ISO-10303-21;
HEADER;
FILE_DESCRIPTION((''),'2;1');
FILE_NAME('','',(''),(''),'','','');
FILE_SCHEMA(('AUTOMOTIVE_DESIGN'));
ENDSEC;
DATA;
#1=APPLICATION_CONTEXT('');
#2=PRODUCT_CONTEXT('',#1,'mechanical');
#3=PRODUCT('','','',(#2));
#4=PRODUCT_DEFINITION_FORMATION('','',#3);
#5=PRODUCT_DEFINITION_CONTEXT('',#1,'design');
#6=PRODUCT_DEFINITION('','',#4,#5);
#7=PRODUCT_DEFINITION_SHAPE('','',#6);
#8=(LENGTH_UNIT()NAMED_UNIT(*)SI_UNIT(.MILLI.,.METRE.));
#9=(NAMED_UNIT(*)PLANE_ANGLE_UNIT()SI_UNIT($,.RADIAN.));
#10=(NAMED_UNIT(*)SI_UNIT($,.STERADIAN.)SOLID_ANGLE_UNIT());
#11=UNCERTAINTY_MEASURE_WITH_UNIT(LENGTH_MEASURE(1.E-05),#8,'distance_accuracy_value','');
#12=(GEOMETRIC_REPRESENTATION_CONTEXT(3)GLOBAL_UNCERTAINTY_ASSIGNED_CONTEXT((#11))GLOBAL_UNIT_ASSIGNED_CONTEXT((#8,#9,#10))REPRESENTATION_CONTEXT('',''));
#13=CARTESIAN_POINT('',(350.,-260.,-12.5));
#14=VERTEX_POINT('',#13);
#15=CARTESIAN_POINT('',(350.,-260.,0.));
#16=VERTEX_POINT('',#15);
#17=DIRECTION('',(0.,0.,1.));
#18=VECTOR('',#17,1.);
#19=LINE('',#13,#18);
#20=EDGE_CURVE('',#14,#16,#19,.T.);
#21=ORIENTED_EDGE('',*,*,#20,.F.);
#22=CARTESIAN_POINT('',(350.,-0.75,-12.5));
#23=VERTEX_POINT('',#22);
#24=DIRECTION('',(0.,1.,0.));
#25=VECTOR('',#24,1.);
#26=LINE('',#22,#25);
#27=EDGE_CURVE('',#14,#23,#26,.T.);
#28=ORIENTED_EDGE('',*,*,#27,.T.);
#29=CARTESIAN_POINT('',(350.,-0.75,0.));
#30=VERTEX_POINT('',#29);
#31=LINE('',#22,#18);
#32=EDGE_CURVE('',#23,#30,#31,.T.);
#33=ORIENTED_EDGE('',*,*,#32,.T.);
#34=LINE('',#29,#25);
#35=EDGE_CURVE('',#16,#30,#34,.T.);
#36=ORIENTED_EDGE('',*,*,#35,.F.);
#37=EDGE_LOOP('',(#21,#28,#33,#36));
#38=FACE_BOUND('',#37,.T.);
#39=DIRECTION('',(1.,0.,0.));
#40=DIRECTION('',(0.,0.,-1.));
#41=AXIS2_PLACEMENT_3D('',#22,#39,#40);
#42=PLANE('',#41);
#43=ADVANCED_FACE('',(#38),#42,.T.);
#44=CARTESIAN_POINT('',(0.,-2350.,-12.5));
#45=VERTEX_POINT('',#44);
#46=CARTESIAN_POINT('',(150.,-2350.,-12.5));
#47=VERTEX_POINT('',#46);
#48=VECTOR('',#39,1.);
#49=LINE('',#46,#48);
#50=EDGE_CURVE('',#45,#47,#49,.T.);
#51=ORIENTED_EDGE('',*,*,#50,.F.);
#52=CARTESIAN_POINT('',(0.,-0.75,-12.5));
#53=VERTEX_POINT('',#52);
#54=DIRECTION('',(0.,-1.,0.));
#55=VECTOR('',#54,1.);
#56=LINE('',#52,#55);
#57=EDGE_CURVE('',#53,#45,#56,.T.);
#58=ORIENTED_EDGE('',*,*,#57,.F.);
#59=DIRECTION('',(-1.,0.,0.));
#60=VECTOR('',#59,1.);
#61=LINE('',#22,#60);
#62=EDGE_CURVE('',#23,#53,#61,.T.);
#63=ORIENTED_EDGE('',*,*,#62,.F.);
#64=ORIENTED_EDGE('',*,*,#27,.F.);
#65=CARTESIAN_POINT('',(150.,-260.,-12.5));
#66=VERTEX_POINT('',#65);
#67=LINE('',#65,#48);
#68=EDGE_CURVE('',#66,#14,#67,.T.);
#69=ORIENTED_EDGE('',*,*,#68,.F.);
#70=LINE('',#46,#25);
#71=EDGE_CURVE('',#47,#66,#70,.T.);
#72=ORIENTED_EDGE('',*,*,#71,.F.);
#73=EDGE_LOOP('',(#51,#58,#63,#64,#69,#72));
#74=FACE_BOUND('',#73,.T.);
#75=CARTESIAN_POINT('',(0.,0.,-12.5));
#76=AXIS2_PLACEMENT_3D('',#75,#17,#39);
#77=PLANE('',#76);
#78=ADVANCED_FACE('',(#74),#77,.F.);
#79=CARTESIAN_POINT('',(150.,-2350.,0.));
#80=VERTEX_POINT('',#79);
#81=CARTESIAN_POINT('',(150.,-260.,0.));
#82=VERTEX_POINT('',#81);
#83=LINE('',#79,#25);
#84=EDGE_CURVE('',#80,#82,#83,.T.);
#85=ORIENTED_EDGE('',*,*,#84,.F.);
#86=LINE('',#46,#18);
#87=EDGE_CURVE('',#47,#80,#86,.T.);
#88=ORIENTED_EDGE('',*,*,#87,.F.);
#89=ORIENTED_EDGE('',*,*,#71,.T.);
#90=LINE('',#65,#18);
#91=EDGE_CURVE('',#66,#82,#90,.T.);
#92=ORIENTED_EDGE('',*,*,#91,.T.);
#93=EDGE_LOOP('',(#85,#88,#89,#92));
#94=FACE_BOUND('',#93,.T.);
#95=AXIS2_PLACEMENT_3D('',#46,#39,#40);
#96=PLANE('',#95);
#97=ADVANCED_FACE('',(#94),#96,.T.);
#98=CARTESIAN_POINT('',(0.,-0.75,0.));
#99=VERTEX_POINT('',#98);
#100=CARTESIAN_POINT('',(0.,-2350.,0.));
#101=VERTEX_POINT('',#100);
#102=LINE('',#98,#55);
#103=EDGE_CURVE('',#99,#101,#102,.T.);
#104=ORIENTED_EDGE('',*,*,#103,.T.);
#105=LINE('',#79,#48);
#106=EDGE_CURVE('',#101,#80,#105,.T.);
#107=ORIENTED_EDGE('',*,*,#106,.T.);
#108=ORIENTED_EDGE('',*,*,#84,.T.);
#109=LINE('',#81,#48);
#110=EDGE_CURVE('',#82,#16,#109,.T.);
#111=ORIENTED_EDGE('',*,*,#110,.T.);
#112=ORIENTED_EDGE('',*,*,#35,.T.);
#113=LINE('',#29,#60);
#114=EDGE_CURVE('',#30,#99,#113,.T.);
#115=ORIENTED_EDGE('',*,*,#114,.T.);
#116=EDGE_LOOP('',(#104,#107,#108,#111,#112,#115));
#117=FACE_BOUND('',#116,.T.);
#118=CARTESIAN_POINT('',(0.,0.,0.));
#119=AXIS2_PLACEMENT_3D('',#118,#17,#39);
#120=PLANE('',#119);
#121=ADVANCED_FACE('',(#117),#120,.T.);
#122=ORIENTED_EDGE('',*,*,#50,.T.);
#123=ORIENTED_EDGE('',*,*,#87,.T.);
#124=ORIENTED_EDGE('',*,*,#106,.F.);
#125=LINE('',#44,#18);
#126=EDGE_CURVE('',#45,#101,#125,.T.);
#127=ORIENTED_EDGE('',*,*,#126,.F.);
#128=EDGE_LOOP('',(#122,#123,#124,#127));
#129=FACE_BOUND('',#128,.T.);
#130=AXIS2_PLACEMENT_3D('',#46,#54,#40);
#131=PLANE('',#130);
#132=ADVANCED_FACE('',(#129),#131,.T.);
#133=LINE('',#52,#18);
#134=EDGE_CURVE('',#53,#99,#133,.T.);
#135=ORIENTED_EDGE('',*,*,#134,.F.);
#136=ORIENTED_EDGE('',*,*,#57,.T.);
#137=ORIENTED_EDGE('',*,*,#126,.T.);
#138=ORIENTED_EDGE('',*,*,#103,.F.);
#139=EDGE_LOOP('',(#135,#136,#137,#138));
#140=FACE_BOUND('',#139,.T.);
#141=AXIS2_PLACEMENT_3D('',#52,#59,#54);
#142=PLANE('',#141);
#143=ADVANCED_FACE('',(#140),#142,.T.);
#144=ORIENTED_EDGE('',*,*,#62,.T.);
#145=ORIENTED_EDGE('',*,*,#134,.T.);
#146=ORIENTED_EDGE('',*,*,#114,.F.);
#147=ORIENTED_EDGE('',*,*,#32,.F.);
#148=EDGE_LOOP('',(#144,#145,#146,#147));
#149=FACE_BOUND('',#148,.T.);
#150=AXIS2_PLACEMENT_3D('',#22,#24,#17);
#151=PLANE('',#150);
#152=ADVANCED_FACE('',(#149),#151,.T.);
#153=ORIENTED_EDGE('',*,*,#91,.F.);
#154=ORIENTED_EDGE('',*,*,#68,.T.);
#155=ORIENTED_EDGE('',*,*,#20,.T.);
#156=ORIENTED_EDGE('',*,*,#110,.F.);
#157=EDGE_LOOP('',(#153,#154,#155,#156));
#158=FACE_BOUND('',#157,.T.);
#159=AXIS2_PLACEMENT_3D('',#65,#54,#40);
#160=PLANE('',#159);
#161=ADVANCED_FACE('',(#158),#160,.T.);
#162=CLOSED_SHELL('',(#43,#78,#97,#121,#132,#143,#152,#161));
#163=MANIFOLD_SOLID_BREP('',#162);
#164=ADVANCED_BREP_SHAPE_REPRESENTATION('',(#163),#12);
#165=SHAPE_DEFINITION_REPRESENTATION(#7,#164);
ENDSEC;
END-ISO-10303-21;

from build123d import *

# Parameters (mm, degrees)
EXTRUDE_1_DEPTH = 12.5


with BuildPart() as part:
    # Эскиз1 → Бобышка-Вытянуть1 (new body)
    with BuildSketch(Plane.XY):
        Polygon((350, -0.75), (0, -0.75), (0, -2350), (150, -2350), (150, -260), (350, -260), align=None)
    extrude(amount=-EXTRUDE_1_DEPTH)


solid = part.part
